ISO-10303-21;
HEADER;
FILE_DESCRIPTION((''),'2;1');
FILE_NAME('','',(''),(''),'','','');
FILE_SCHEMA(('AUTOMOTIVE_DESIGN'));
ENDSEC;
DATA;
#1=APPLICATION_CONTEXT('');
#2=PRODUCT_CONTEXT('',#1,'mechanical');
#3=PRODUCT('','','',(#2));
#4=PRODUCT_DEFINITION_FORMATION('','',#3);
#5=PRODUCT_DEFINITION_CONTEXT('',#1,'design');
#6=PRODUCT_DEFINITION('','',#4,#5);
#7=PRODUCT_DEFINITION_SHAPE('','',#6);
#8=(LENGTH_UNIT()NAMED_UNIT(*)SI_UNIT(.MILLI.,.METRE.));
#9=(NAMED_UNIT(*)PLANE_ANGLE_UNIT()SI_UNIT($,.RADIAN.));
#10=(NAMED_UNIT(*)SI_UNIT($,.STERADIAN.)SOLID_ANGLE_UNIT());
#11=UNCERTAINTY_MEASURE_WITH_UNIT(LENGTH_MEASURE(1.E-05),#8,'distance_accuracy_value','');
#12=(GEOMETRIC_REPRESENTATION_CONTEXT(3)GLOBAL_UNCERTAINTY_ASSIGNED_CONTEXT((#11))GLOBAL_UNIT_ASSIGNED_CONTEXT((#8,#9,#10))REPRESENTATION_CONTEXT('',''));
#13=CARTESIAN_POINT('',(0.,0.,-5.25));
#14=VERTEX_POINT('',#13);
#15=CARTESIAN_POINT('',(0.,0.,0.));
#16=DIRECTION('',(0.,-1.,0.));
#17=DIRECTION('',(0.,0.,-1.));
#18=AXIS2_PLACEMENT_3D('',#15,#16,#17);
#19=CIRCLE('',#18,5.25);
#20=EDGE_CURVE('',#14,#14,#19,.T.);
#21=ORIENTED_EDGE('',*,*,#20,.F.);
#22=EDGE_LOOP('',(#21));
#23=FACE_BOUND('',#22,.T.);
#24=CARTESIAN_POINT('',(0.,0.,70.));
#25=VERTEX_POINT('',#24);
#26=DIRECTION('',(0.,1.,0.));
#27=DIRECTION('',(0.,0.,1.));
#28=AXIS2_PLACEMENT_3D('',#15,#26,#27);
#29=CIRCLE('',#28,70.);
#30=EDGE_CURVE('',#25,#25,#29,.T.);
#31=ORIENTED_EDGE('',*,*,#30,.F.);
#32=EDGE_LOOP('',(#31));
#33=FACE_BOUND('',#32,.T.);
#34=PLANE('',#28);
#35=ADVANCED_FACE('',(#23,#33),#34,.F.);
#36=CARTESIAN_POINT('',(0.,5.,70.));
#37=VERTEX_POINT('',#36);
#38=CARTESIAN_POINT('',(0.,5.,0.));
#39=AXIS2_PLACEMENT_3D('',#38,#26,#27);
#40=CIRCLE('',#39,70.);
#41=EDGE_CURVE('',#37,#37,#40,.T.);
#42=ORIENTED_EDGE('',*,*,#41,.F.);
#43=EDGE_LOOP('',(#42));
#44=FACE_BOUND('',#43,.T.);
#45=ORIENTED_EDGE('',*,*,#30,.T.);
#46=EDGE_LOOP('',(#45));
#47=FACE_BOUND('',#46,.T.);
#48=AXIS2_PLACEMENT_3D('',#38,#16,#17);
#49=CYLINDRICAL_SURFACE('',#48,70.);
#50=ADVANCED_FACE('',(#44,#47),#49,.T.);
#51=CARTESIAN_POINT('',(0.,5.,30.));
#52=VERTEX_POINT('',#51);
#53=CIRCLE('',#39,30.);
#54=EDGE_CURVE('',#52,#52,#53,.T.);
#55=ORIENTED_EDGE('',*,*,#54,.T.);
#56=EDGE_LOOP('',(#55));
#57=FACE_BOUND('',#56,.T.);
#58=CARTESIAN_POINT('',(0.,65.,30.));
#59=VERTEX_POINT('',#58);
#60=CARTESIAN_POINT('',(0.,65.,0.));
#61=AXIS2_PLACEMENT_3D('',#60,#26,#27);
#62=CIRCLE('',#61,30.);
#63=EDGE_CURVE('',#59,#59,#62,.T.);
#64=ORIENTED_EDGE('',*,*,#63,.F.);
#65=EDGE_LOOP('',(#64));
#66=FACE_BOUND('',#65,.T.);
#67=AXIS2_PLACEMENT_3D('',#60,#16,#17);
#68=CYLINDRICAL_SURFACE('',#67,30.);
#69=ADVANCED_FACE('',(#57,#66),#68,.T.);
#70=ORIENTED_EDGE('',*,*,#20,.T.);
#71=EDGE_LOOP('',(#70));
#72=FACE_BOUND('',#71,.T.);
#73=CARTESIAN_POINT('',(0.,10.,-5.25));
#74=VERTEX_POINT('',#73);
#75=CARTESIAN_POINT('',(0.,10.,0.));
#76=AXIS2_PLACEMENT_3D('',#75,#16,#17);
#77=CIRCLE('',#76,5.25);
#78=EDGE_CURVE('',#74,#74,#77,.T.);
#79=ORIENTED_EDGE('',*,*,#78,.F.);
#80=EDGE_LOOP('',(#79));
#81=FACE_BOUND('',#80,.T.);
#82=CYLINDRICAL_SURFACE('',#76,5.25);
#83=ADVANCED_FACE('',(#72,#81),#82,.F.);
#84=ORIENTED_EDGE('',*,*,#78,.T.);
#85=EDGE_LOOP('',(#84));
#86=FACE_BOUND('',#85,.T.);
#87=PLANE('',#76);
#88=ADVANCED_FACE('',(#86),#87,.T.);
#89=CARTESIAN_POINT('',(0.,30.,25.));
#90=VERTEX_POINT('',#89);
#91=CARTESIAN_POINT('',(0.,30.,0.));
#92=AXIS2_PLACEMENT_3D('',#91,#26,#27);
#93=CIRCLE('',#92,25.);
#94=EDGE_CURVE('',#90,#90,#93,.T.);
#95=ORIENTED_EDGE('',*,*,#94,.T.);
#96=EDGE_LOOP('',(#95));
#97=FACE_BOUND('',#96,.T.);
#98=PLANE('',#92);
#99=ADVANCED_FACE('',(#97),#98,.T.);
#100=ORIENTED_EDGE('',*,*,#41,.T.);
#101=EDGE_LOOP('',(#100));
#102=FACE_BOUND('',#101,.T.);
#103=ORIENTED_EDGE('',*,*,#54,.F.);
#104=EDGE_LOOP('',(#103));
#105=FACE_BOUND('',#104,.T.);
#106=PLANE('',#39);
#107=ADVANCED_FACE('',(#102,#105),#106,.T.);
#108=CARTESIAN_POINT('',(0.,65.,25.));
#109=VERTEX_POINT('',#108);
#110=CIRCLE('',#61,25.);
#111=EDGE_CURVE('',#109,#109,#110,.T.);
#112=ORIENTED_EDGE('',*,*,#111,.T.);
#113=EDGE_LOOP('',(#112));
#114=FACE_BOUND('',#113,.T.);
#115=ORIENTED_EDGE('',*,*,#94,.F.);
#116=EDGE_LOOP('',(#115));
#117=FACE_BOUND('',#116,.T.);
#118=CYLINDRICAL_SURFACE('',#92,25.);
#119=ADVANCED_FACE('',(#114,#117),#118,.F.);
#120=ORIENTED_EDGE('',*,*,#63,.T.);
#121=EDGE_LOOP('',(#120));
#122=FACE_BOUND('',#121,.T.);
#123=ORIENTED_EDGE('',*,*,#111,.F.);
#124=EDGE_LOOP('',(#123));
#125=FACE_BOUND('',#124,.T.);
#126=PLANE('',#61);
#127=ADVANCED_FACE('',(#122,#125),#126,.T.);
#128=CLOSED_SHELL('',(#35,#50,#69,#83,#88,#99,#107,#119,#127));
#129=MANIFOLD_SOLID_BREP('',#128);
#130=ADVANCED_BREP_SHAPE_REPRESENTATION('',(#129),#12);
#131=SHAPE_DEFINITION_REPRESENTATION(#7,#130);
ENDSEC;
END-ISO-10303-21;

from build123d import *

# Parameters (mm, degrees)
CROQUIS1_R              = 70
SALIENTE_EXTRUIR1_DEPTH = 5
CROQUIS2_R              = 30
SALIENTE_EXTRUIR2_DEPTH = 60
CROQUIS5_R              = 5.25
CORTAR_EXTRUIR5_DEPTH   = 10
CROQUIS7_R              = 25
CORTAR_EXTRUIR6_DEPTH   = 35


with BuildPart() as part:
    # Croquis1 → Saliente-Extruir1 (new body)
    with BuildSketch(Plane(origin=(0, 0, 0), x_dir=(1, 0, 0), z_dir=(0, 1, 0))):
        with Locations(Location((0, 0, 0), (0, 0, 270))):
            Circle(CROQUIS1_R)
    extrude(amount=SALIENTE_EXTRUIR1_DEPTH)

    # Croquis2 → Saliente-Extruir2 (add)
    with BuildSketch(Plane(origin=(0, 5, 0), x_dir=(1, 0, 0), z_dir=(0, 1, 0))):
        with Locations(Location((0, 0, 0), (0, 0, 270))):
            Circle(CROQUIS2_R)
    extrude(amount=SALIENTE_EXTRUIR2_DEPTH)

    # Croquis5 → Cortar-Extruir5 (cut)
    with BuildSketch(Plane.XZ):
        with Locations(Location((0, 0, 0), (0, 0, 270))):
            Circle(CROQUIS5_R)
    extrude(amount=-CORTAR_EXTRUIR5_DEPTH, mode=Mode.SUBTRACT)

    # Croquis7 → Cortar-Extruir6 (cut)
    with BuildSketch(Plane(origin=(0, 65, 0), x_dir=(1, 0, 0), z_dir=(0, 1, 0))):
        with Locations(Location((0, 0, 0), (0, 0, 270))):
            Circle(CROQUIS7_R)
    extrude(amount=-CORTAR_EXTRUIR6_DEPTH, mode=Mode.SUBTRACT)


solid = part.part
